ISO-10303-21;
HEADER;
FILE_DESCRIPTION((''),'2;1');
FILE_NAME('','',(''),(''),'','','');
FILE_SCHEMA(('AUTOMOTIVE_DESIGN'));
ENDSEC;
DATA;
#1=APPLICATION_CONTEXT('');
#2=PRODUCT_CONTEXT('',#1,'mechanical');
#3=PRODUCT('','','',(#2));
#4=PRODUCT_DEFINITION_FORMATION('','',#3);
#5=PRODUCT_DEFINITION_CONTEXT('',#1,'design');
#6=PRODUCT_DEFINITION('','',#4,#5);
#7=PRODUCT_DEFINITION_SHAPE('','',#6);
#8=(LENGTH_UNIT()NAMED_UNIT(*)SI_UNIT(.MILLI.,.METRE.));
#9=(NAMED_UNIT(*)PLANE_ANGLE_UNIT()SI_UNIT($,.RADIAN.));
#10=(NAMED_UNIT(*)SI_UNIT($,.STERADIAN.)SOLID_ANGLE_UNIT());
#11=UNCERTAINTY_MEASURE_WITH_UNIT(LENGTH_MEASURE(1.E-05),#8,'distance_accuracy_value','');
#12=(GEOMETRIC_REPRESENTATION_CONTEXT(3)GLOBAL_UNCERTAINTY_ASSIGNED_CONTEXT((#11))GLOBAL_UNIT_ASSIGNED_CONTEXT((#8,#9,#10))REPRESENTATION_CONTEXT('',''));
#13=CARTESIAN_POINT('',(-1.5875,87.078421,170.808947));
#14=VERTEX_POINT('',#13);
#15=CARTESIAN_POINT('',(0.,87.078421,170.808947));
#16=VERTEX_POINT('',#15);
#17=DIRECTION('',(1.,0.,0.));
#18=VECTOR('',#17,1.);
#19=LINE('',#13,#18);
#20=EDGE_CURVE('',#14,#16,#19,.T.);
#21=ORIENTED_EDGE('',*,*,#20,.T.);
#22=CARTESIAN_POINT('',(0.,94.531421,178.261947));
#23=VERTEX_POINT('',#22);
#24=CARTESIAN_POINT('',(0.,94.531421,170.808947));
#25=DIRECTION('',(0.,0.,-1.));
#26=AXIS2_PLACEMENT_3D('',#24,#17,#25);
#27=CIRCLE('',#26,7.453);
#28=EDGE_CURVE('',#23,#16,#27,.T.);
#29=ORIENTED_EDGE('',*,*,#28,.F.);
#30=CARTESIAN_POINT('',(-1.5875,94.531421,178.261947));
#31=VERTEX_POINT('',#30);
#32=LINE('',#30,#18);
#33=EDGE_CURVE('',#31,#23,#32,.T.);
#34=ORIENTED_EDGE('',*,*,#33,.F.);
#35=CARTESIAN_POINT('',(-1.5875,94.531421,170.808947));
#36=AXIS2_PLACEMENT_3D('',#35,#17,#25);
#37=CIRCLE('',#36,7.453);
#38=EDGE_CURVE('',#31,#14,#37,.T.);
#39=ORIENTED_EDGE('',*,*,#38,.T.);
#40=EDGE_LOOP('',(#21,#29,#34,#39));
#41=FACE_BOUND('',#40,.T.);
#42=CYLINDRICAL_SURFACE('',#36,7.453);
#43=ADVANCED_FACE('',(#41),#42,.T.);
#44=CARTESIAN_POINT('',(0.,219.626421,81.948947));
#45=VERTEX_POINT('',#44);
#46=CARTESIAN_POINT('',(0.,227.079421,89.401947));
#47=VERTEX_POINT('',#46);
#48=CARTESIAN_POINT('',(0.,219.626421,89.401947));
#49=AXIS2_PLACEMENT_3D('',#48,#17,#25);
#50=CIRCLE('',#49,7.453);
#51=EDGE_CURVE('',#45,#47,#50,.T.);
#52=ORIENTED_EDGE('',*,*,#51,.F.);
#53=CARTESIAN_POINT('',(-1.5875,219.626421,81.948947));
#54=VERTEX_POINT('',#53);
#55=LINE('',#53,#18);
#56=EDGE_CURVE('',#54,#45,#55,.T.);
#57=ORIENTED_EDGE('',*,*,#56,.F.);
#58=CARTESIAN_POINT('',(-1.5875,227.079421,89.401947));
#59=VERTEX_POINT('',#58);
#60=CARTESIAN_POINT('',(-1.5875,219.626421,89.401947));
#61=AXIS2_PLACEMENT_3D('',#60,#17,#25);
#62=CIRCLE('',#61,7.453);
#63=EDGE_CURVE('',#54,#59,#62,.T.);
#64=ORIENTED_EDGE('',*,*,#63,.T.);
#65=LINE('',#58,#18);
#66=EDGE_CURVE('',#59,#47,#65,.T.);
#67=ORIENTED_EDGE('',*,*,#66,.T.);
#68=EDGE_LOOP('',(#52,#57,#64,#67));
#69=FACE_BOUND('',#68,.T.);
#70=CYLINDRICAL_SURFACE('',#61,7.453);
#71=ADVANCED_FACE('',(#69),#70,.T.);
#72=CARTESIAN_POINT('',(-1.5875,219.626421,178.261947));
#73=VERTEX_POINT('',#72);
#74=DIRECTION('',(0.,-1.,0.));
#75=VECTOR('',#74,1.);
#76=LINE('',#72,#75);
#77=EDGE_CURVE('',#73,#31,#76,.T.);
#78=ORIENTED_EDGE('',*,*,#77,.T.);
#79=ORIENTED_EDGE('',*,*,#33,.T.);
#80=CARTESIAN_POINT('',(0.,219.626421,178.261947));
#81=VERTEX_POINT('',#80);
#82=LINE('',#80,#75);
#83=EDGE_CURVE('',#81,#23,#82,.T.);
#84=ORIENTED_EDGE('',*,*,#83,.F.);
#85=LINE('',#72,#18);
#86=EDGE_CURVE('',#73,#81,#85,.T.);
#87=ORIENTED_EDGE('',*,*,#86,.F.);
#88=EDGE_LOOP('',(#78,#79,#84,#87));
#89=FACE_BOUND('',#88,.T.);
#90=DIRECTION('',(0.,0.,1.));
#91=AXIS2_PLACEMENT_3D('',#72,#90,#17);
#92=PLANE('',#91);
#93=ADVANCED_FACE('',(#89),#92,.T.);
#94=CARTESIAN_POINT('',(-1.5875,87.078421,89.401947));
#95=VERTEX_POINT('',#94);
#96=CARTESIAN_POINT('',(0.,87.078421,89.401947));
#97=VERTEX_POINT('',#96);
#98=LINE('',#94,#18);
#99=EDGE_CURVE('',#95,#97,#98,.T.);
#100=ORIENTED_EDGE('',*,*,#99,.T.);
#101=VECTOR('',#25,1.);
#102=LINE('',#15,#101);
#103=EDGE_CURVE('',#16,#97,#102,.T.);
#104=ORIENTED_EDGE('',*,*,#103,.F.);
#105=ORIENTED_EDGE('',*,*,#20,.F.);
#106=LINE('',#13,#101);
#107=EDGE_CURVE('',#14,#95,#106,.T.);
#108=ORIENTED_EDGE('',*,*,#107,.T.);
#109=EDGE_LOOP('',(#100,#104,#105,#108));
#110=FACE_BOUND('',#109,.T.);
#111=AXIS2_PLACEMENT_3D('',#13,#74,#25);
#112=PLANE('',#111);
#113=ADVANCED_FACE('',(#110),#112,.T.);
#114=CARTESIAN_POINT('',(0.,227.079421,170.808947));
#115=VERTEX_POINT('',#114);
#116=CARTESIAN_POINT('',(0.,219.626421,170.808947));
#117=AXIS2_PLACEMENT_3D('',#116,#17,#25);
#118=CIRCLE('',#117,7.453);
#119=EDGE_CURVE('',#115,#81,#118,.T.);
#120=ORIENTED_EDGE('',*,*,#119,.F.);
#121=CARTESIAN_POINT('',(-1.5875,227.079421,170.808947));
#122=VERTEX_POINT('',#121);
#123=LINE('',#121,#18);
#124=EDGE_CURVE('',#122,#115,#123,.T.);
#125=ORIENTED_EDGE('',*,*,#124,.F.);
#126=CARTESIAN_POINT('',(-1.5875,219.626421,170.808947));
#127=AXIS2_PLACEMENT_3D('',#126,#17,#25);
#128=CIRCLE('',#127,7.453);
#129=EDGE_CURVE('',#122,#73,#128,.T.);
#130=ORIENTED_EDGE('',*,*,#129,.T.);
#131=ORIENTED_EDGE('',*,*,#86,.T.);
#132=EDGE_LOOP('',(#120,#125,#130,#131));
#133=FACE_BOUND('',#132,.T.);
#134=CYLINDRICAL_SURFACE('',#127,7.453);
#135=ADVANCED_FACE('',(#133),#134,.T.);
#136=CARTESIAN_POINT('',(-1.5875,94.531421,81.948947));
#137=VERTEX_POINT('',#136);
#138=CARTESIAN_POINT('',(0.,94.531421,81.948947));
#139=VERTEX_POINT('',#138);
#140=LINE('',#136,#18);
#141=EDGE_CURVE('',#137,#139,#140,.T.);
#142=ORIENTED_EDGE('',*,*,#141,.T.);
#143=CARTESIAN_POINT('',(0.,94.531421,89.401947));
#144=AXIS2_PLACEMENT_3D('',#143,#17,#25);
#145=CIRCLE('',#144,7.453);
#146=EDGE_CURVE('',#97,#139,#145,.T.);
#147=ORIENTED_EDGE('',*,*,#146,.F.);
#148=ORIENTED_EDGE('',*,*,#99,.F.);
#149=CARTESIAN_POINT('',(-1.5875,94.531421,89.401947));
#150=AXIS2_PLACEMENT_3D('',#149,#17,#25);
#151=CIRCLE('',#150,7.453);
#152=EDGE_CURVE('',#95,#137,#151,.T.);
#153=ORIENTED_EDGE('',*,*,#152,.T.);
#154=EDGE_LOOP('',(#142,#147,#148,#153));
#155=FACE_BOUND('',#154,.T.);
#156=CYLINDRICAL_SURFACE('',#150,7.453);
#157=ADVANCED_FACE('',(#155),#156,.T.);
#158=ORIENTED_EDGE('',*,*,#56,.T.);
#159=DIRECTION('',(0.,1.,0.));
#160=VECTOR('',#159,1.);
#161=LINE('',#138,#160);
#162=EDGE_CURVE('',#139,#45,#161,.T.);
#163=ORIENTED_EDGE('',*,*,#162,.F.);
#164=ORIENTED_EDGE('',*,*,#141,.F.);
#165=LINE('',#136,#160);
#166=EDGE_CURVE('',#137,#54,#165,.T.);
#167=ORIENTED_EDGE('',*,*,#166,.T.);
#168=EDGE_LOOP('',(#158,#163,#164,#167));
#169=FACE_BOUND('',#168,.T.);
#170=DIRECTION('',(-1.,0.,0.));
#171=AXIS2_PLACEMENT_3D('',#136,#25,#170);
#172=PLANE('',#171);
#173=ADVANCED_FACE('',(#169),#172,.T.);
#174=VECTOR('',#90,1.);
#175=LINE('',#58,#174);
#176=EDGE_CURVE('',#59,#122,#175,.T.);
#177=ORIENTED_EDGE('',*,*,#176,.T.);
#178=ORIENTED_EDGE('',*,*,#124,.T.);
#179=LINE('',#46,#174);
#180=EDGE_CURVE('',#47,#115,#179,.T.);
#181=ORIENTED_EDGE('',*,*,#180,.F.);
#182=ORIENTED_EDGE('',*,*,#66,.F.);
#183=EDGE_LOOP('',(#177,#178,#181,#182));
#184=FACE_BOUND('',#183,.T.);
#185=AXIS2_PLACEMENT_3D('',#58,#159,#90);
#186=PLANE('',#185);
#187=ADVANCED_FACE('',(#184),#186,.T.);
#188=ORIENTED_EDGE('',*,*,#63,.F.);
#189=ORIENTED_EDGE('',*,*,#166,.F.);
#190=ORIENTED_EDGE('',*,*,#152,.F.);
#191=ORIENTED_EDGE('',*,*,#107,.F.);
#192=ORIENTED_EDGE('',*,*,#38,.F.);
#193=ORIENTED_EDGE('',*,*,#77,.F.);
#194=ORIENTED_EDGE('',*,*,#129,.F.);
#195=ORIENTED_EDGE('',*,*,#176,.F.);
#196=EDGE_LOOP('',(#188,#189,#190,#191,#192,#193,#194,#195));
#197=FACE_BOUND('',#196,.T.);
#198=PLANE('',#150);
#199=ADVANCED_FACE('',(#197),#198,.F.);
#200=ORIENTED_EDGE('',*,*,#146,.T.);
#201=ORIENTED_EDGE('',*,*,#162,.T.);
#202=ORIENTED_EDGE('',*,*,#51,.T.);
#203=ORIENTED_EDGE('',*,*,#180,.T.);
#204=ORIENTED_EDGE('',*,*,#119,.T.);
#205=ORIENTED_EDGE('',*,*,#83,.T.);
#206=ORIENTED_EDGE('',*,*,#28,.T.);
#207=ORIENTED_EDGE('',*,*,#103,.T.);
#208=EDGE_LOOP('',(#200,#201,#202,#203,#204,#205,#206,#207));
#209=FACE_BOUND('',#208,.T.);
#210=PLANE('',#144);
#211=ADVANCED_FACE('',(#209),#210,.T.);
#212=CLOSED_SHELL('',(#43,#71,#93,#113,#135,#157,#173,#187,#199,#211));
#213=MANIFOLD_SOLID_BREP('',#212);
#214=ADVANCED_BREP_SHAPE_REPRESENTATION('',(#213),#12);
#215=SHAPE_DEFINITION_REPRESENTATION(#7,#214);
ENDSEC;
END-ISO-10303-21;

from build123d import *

# Parameters (mm, degrees)
BOSS_EXTRUDE1_DEPTH = 1.5875


with BuildPart() as part:
    # Sketch1 → Boss-Extrude1 (new body)
    with BuildSketch(Plane(origin=(0, 0, 0), x_dir=(0, 0, -1), z_dir=(1, 0, 0))):
        with BuildLine():
            Line((-81.948946946, 94.531421496), (-81.948946946, 219.626421496))
            ThreePointArc((-81.948946946, 219.626421496), (-84.131880106, 224.896488336), (-89.401946946, 227.079421496))
            Line((-89.401946946, 227.079421496), (-170.808946946, 227.079421496))
            ThreePointArc((-170.808946946, 227.079421496), (-176.079013786, 224.896488336), (-178.261946946, 219.626421496))
            Line((-178.261946946, 219.626421496), (-178.261946946, 94.531421496))
            ThreePointArc((-178.261946946, 94.531421496), (-176.079013786, 89.261354656), (-170.808946946, 87.078421496))
            Line((-170.808946946, 87.078421496), (-89.401946946, 87.078421496))
            ThreePointArc((-89.401946946, 87.078421496), (-84.131880106, 89.261354656), (-81.948946946, 94.531421496))
        make_face()
    extrude(amount=-BOSS_EXTRUDE1_DEPTH)


solid = part.part
